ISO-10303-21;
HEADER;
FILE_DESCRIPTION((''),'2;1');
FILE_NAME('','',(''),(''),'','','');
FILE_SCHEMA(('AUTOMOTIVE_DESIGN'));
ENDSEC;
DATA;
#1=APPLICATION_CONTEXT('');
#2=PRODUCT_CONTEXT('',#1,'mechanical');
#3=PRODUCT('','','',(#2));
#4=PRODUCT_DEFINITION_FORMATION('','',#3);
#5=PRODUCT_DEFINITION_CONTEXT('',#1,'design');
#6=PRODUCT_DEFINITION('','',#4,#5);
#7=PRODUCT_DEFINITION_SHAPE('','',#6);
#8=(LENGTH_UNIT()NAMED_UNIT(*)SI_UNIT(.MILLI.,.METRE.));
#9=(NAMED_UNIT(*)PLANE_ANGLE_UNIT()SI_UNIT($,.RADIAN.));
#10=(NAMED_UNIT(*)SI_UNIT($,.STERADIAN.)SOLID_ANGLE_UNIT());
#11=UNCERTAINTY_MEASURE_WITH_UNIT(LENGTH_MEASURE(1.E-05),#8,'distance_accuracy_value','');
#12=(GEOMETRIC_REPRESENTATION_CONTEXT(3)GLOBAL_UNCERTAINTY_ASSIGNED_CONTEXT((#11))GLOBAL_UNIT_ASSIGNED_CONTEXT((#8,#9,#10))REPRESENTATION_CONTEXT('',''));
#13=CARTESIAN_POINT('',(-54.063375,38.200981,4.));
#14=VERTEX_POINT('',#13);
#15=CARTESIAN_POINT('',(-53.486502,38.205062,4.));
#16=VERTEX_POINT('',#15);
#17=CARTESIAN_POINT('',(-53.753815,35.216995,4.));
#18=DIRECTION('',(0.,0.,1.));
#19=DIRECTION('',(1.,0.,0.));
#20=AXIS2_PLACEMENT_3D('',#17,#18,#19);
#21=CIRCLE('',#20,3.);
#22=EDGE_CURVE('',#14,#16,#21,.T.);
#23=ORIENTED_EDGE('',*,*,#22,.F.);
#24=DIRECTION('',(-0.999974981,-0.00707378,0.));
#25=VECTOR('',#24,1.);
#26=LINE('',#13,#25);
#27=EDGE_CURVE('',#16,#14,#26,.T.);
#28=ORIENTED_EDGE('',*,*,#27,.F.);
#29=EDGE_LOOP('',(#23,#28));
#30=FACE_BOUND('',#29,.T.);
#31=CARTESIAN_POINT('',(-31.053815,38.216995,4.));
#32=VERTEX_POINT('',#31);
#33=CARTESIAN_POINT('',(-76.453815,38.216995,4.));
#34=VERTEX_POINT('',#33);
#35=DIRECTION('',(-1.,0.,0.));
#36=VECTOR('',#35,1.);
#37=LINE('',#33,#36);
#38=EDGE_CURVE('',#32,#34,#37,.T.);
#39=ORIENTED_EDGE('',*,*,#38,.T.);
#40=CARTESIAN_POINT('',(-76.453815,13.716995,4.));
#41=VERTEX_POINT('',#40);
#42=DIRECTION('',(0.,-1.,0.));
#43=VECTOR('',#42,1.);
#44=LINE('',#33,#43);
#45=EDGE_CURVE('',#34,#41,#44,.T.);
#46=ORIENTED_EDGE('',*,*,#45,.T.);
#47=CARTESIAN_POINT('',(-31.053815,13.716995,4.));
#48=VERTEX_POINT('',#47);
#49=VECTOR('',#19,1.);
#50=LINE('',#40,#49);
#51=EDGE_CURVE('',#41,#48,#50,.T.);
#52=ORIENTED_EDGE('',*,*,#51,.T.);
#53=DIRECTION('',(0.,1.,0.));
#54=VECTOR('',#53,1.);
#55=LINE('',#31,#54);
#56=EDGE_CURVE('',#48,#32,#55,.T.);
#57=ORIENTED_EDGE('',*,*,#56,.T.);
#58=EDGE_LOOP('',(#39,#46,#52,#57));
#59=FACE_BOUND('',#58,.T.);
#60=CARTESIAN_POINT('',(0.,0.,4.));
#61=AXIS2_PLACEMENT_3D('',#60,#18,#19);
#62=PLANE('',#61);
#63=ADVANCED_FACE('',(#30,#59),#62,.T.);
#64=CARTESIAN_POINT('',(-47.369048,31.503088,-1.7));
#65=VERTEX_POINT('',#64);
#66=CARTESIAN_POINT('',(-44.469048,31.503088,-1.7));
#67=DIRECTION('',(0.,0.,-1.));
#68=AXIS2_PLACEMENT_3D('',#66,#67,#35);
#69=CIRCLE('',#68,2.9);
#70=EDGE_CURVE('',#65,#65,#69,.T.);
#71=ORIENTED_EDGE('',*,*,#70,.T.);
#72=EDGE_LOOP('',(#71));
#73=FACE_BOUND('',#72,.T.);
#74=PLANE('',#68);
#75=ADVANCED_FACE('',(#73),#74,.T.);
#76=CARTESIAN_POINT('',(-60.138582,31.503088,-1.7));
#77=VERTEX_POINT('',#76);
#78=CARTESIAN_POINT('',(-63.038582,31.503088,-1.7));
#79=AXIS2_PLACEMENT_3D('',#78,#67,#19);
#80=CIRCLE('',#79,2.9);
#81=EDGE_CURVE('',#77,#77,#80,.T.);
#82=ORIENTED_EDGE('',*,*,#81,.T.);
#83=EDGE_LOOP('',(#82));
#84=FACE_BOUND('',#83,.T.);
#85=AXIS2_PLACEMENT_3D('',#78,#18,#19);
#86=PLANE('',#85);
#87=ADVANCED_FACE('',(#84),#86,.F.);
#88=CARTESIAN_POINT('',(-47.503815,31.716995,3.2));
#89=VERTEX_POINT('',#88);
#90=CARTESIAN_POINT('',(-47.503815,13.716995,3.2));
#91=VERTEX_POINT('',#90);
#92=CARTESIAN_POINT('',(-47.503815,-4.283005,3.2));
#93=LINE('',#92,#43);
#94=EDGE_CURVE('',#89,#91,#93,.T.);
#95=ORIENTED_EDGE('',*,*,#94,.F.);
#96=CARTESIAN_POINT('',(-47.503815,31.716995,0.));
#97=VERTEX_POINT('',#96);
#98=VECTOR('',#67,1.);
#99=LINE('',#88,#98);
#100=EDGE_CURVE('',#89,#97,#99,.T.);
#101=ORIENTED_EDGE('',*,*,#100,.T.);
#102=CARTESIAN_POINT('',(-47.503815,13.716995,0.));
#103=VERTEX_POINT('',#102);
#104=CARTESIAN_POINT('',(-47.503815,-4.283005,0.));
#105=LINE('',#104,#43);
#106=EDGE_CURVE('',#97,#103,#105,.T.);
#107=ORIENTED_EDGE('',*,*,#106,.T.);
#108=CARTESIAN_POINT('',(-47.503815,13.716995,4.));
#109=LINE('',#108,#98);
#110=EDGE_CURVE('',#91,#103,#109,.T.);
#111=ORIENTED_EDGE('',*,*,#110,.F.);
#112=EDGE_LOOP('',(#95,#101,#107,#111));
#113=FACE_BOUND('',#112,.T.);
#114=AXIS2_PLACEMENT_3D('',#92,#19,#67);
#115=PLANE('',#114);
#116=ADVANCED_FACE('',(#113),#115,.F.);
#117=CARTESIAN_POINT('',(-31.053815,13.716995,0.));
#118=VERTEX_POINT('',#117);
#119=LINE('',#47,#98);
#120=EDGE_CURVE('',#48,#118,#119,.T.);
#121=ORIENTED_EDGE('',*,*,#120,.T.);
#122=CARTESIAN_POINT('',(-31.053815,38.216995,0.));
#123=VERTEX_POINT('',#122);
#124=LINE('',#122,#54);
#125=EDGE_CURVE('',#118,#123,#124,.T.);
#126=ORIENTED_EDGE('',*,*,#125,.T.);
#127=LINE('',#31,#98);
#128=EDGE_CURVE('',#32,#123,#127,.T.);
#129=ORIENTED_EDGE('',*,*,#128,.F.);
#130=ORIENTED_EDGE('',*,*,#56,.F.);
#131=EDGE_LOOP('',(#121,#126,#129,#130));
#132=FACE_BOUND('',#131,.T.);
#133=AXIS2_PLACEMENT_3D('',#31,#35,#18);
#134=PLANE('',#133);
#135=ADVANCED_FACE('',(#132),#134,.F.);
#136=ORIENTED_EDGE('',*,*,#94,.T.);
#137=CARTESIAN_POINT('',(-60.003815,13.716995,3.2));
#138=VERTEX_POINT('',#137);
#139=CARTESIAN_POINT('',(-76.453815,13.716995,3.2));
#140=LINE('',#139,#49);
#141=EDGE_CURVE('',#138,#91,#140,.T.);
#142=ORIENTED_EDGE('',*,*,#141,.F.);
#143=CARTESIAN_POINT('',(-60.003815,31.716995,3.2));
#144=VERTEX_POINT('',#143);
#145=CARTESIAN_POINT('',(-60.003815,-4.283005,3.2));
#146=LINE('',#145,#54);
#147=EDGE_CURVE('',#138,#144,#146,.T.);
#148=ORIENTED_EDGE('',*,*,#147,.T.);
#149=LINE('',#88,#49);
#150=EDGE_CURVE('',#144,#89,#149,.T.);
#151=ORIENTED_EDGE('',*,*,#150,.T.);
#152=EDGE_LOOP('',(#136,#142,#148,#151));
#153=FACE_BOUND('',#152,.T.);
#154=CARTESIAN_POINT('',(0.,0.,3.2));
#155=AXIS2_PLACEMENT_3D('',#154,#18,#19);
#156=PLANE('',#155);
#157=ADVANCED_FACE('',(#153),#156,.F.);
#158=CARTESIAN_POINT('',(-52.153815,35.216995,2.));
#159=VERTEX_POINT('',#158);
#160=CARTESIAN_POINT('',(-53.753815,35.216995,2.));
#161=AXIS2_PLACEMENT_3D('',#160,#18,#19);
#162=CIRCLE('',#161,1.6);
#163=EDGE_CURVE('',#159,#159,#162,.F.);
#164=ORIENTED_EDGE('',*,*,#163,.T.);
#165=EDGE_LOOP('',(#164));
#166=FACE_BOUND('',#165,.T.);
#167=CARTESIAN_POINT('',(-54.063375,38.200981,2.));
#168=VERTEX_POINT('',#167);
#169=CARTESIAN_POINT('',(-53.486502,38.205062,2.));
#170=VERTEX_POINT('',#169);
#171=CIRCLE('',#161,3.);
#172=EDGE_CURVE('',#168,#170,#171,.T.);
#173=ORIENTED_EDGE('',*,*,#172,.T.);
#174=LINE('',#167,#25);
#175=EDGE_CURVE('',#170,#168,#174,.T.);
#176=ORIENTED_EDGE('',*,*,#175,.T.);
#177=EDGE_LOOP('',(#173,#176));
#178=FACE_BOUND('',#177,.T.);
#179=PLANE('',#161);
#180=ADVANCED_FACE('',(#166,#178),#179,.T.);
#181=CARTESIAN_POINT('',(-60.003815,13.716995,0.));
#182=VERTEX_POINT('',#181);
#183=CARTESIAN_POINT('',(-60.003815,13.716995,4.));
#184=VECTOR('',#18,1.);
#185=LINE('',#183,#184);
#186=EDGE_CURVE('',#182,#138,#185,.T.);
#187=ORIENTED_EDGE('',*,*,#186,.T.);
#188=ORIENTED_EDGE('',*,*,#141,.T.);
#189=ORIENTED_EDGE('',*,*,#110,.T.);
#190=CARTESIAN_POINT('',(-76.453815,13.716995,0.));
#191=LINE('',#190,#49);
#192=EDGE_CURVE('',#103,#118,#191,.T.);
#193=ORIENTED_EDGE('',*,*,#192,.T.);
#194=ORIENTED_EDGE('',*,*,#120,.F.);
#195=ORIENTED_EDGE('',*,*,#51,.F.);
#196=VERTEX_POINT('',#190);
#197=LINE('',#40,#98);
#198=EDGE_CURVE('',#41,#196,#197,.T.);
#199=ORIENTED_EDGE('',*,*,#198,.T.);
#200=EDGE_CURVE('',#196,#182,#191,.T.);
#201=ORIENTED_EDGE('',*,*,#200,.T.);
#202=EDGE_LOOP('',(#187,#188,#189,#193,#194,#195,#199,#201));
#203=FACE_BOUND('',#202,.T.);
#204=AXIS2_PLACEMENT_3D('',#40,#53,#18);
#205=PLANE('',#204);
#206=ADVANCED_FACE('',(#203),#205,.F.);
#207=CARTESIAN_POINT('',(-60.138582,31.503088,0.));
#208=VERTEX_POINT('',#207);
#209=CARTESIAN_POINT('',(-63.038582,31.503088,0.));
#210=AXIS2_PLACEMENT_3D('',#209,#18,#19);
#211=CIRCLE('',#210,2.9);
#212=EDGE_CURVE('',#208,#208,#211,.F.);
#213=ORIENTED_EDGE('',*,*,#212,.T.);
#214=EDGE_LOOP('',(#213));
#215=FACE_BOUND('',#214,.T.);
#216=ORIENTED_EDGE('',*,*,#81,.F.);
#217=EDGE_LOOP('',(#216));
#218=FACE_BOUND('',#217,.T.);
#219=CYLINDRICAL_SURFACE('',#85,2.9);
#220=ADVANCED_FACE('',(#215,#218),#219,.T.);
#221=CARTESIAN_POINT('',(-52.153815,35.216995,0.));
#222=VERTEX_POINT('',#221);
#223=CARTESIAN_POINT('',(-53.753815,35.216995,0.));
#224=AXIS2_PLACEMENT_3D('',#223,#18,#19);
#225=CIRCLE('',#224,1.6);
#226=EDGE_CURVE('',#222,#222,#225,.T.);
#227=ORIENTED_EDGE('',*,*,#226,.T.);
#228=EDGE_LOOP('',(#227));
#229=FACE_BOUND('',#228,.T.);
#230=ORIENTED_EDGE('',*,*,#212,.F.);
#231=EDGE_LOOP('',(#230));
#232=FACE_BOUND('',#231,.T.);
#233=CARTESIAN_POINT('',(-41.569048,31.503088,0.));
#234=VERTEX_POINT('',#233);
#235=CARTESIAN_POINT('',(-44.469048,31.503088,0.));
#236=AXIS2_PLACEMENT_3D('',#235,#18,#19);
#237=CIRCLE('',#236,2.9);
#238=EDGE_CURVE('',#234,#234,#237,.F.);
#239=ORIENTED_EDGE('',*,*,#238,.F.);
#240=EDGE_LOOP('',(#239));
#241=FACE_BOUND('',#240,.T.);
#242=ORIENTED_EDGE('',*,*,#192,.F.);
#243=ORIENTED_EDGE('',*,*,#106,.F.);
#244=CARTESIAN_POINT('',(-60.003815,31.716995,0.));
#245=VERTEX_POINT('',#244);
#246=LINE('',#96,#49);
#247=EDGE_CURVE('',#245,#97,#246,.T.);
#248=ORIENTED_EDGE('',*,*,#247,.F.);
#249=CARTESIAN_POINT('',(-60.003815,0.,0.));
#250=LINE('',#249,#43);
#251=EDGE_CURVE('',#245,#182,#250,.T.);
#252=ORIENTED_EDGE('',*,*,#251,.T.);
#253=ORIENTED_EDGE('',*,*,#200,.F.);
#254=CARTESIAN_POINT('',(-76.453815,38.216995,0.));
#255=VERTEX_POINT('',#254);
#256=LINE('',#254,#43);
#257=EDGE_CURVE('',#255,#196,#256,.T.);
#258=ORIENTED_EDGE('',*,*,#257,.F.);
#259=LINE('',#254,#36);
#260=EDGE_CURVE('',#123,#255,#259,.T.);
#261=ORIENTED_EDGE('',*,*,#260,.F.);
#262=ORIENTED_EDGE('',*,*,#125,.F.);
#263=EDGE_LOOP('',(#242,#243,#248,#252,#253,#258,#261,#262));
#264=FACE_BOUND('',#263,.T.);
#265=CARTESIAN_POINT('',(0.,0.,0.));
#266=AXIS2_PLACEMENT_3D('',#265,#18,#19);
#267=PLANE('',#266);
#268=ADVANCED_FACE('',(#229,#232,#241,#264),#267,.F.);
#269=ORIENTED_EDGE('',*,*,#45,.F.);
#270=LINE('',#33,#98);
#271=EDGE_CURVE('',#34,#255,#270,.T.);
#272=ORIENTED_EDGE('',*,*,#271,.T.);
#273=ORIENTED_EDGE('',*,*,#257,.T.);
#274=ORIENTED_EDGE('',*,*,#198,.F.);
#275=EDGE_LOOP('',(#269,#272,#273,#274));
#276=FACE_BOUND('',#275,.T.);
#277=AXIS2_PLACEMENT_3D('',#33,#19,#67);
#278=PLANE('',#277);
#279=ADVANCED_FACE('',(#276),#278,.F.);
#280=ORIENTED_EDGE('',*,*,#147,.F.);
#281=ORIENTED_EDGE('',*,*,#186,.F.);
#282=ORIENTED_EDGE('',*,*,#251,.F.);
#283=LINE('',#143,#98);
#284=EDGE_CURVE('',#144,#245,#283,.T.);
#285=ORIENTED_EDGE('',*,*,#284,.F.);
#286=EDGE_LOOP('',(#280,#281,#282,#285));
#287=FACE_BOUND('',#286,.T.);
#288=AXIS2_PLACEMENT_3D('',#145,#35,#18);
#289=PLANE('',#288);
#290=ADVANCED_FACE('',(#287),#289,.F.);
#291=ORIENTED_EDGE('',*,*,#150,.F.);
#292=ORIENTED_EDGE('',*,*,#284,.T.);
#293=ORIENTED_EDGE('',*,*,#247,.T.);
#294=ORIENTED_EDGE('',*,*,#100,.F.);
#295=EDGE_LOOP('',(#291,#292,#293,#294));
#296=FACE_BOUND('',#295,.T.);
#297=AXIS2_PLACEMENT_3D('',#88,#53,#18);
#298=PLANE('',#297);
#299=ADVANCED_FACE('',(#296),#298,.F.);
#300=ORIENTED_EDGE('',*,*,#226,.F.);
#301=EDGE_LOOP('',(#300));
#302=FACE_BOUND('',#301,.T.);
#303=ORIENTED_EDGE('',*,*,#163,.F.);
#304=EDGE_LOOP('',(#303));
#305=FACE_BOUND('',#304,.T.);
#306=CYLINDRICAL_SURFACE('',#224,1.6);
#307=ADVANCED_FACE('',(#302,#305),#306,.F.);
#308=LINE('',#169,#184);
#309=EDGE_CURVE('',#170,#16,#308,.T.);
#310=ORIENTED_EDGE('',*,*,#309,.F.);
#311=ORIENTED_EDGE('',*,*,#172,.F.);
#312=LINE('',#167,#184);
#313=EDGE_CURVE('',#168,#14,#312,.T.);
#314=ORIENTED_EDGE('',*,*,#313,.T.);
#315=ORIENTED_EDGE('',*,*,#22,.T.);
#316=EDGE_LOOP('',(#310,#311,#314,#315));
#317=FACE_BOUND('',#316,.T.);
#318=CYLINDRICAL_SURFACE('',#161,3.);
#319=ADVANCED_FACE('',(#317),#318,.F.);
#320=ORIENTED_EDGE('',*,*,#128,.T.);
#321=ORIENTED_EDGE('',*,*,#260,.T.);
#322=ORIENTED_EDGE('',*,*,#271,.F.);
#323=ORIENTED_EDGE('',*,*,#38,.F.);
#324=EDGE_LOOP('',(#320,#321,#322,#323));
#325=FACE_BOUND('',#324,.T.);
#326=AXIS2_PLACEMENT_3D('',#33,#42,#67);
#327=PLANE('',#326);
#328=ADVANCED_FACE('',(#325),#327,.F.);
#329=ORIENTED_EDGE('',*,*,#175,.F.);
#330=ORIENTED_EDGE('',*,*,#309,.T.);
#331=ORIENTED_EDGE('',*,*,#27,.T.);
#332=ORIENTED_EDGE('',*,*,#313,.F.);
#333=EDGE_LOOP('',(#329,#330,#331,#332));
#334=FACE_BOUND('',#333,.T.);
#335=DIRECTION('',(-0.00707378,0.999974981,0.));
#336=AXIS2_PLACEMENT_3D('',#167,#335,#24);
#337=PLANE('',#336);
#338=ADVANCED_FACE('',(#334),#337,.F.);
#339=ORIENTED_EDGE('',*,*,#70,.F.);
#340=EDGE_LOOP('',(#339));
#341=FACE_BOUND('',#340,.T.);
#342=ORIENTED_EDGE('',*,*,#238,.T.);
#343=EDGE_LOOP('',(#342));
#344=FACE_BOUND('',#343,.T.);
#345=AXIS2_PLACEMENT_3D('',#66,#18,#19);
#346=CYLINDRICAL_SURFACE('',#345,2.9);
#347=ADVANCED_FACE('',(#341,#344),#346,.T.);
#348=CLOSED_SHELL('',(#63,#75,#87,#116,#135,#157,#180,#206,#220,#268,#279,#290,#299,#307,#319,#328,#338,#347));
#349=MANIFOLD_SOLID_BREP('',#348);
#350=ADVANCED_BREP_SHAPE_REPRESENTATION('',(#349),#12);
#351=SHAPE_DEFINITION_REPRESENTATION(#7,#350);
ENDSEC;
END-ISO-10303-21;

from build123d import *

# Parameters (mm, degrees)
SKETCH_1_W          = 45.4
SKETCH_1_H          = 24.5
EXTRUDE_1_DEPTH     = 4
SKETCH_2_R          = 1.6
CUT_EXTRUDE_1_DEPTH = 86.567076535
CUT_EXTRUDE_2_DEPTH = 2
SKETCH_4_W          = 12.5
SKETCH_4_H          = 36
CUT_EXTRUDE_3_DEPTH = 3.2
SKETCH_5_R          = 2.9
EXTRUDE_2_DEPTH     = 1.7


with BuildPart() as part:
    # 草图1 → 凸台-拉伸1 (new body)
    with BuildSketch(Plane.XY):
        with Locations((-53.753815265, 25.966995149)):
            Rectangle(SKETCH_1_W, SKETCH_1_H)
    extrude(amount=EXTRUDE_1_DEPTH)

    # 草图2 → 切除-拉伸1 (cut, through all)
    with BuildSketch(Plane.XY.offset(4)):
        with Locations((-53.753815265, 35.216995149)):
            Circle(SKETCH_2_R)
    extrude(amount=-CUT_EXTRUDE_1_DEPTH, mode=Mode.SUBTRACT)

    # 草图3 → 切除-拉伸2 (cut)
    with BuildSketch(Plane.XY.offset(4)):
        with BuildLine():
            Line((-54.063374879, 38.200981215), (-53.486501698, 38.205061992))
            ThreePointArc((-53.486501698, 38.205061992), (-53.732593924, 32.217070207), (-54.063374879, 38.200981215))
        make_face()
    extrude(amount=-CUT_EXTRUDE_2_DEPTH, mode=Mode.SUBTRACT)

    # 草图4 → 切除-拉伸3 (cut)
    with BuildSketch(Plane(origin=(0, 0, 0), x_dir=(-1, 0, 0), z_dir=(0, 0, -1))):
        with Locations((53.753815265, 13.716995149)):
            Rectangle(SKETCH_4_W, SKETCH_4_H)
    extrude(amount=-CUT_EXTRUDE_3_DEPTH, mode=Mode.SUBTRACT)

    # 草图5 → 凸台-拉伸2 (add)
    with BuildSketch(Plane(origin=(0, 0, 0), x_dir=(-1, 0, 0), z_dir=(0, 0, -1))):
        with Locations(Location((44.469048356, 31.503088385, 0), (0, 0, 180))):
            Circle(SKETCH_5_R)
        with Locations(Location((63.038582174, 31.503088385, 0), (0, 0, 180))):
            Circle(SKETCH_5_R)
    extrude(amount=EXTRUDE_2_DEPTH)


solid = part.part
